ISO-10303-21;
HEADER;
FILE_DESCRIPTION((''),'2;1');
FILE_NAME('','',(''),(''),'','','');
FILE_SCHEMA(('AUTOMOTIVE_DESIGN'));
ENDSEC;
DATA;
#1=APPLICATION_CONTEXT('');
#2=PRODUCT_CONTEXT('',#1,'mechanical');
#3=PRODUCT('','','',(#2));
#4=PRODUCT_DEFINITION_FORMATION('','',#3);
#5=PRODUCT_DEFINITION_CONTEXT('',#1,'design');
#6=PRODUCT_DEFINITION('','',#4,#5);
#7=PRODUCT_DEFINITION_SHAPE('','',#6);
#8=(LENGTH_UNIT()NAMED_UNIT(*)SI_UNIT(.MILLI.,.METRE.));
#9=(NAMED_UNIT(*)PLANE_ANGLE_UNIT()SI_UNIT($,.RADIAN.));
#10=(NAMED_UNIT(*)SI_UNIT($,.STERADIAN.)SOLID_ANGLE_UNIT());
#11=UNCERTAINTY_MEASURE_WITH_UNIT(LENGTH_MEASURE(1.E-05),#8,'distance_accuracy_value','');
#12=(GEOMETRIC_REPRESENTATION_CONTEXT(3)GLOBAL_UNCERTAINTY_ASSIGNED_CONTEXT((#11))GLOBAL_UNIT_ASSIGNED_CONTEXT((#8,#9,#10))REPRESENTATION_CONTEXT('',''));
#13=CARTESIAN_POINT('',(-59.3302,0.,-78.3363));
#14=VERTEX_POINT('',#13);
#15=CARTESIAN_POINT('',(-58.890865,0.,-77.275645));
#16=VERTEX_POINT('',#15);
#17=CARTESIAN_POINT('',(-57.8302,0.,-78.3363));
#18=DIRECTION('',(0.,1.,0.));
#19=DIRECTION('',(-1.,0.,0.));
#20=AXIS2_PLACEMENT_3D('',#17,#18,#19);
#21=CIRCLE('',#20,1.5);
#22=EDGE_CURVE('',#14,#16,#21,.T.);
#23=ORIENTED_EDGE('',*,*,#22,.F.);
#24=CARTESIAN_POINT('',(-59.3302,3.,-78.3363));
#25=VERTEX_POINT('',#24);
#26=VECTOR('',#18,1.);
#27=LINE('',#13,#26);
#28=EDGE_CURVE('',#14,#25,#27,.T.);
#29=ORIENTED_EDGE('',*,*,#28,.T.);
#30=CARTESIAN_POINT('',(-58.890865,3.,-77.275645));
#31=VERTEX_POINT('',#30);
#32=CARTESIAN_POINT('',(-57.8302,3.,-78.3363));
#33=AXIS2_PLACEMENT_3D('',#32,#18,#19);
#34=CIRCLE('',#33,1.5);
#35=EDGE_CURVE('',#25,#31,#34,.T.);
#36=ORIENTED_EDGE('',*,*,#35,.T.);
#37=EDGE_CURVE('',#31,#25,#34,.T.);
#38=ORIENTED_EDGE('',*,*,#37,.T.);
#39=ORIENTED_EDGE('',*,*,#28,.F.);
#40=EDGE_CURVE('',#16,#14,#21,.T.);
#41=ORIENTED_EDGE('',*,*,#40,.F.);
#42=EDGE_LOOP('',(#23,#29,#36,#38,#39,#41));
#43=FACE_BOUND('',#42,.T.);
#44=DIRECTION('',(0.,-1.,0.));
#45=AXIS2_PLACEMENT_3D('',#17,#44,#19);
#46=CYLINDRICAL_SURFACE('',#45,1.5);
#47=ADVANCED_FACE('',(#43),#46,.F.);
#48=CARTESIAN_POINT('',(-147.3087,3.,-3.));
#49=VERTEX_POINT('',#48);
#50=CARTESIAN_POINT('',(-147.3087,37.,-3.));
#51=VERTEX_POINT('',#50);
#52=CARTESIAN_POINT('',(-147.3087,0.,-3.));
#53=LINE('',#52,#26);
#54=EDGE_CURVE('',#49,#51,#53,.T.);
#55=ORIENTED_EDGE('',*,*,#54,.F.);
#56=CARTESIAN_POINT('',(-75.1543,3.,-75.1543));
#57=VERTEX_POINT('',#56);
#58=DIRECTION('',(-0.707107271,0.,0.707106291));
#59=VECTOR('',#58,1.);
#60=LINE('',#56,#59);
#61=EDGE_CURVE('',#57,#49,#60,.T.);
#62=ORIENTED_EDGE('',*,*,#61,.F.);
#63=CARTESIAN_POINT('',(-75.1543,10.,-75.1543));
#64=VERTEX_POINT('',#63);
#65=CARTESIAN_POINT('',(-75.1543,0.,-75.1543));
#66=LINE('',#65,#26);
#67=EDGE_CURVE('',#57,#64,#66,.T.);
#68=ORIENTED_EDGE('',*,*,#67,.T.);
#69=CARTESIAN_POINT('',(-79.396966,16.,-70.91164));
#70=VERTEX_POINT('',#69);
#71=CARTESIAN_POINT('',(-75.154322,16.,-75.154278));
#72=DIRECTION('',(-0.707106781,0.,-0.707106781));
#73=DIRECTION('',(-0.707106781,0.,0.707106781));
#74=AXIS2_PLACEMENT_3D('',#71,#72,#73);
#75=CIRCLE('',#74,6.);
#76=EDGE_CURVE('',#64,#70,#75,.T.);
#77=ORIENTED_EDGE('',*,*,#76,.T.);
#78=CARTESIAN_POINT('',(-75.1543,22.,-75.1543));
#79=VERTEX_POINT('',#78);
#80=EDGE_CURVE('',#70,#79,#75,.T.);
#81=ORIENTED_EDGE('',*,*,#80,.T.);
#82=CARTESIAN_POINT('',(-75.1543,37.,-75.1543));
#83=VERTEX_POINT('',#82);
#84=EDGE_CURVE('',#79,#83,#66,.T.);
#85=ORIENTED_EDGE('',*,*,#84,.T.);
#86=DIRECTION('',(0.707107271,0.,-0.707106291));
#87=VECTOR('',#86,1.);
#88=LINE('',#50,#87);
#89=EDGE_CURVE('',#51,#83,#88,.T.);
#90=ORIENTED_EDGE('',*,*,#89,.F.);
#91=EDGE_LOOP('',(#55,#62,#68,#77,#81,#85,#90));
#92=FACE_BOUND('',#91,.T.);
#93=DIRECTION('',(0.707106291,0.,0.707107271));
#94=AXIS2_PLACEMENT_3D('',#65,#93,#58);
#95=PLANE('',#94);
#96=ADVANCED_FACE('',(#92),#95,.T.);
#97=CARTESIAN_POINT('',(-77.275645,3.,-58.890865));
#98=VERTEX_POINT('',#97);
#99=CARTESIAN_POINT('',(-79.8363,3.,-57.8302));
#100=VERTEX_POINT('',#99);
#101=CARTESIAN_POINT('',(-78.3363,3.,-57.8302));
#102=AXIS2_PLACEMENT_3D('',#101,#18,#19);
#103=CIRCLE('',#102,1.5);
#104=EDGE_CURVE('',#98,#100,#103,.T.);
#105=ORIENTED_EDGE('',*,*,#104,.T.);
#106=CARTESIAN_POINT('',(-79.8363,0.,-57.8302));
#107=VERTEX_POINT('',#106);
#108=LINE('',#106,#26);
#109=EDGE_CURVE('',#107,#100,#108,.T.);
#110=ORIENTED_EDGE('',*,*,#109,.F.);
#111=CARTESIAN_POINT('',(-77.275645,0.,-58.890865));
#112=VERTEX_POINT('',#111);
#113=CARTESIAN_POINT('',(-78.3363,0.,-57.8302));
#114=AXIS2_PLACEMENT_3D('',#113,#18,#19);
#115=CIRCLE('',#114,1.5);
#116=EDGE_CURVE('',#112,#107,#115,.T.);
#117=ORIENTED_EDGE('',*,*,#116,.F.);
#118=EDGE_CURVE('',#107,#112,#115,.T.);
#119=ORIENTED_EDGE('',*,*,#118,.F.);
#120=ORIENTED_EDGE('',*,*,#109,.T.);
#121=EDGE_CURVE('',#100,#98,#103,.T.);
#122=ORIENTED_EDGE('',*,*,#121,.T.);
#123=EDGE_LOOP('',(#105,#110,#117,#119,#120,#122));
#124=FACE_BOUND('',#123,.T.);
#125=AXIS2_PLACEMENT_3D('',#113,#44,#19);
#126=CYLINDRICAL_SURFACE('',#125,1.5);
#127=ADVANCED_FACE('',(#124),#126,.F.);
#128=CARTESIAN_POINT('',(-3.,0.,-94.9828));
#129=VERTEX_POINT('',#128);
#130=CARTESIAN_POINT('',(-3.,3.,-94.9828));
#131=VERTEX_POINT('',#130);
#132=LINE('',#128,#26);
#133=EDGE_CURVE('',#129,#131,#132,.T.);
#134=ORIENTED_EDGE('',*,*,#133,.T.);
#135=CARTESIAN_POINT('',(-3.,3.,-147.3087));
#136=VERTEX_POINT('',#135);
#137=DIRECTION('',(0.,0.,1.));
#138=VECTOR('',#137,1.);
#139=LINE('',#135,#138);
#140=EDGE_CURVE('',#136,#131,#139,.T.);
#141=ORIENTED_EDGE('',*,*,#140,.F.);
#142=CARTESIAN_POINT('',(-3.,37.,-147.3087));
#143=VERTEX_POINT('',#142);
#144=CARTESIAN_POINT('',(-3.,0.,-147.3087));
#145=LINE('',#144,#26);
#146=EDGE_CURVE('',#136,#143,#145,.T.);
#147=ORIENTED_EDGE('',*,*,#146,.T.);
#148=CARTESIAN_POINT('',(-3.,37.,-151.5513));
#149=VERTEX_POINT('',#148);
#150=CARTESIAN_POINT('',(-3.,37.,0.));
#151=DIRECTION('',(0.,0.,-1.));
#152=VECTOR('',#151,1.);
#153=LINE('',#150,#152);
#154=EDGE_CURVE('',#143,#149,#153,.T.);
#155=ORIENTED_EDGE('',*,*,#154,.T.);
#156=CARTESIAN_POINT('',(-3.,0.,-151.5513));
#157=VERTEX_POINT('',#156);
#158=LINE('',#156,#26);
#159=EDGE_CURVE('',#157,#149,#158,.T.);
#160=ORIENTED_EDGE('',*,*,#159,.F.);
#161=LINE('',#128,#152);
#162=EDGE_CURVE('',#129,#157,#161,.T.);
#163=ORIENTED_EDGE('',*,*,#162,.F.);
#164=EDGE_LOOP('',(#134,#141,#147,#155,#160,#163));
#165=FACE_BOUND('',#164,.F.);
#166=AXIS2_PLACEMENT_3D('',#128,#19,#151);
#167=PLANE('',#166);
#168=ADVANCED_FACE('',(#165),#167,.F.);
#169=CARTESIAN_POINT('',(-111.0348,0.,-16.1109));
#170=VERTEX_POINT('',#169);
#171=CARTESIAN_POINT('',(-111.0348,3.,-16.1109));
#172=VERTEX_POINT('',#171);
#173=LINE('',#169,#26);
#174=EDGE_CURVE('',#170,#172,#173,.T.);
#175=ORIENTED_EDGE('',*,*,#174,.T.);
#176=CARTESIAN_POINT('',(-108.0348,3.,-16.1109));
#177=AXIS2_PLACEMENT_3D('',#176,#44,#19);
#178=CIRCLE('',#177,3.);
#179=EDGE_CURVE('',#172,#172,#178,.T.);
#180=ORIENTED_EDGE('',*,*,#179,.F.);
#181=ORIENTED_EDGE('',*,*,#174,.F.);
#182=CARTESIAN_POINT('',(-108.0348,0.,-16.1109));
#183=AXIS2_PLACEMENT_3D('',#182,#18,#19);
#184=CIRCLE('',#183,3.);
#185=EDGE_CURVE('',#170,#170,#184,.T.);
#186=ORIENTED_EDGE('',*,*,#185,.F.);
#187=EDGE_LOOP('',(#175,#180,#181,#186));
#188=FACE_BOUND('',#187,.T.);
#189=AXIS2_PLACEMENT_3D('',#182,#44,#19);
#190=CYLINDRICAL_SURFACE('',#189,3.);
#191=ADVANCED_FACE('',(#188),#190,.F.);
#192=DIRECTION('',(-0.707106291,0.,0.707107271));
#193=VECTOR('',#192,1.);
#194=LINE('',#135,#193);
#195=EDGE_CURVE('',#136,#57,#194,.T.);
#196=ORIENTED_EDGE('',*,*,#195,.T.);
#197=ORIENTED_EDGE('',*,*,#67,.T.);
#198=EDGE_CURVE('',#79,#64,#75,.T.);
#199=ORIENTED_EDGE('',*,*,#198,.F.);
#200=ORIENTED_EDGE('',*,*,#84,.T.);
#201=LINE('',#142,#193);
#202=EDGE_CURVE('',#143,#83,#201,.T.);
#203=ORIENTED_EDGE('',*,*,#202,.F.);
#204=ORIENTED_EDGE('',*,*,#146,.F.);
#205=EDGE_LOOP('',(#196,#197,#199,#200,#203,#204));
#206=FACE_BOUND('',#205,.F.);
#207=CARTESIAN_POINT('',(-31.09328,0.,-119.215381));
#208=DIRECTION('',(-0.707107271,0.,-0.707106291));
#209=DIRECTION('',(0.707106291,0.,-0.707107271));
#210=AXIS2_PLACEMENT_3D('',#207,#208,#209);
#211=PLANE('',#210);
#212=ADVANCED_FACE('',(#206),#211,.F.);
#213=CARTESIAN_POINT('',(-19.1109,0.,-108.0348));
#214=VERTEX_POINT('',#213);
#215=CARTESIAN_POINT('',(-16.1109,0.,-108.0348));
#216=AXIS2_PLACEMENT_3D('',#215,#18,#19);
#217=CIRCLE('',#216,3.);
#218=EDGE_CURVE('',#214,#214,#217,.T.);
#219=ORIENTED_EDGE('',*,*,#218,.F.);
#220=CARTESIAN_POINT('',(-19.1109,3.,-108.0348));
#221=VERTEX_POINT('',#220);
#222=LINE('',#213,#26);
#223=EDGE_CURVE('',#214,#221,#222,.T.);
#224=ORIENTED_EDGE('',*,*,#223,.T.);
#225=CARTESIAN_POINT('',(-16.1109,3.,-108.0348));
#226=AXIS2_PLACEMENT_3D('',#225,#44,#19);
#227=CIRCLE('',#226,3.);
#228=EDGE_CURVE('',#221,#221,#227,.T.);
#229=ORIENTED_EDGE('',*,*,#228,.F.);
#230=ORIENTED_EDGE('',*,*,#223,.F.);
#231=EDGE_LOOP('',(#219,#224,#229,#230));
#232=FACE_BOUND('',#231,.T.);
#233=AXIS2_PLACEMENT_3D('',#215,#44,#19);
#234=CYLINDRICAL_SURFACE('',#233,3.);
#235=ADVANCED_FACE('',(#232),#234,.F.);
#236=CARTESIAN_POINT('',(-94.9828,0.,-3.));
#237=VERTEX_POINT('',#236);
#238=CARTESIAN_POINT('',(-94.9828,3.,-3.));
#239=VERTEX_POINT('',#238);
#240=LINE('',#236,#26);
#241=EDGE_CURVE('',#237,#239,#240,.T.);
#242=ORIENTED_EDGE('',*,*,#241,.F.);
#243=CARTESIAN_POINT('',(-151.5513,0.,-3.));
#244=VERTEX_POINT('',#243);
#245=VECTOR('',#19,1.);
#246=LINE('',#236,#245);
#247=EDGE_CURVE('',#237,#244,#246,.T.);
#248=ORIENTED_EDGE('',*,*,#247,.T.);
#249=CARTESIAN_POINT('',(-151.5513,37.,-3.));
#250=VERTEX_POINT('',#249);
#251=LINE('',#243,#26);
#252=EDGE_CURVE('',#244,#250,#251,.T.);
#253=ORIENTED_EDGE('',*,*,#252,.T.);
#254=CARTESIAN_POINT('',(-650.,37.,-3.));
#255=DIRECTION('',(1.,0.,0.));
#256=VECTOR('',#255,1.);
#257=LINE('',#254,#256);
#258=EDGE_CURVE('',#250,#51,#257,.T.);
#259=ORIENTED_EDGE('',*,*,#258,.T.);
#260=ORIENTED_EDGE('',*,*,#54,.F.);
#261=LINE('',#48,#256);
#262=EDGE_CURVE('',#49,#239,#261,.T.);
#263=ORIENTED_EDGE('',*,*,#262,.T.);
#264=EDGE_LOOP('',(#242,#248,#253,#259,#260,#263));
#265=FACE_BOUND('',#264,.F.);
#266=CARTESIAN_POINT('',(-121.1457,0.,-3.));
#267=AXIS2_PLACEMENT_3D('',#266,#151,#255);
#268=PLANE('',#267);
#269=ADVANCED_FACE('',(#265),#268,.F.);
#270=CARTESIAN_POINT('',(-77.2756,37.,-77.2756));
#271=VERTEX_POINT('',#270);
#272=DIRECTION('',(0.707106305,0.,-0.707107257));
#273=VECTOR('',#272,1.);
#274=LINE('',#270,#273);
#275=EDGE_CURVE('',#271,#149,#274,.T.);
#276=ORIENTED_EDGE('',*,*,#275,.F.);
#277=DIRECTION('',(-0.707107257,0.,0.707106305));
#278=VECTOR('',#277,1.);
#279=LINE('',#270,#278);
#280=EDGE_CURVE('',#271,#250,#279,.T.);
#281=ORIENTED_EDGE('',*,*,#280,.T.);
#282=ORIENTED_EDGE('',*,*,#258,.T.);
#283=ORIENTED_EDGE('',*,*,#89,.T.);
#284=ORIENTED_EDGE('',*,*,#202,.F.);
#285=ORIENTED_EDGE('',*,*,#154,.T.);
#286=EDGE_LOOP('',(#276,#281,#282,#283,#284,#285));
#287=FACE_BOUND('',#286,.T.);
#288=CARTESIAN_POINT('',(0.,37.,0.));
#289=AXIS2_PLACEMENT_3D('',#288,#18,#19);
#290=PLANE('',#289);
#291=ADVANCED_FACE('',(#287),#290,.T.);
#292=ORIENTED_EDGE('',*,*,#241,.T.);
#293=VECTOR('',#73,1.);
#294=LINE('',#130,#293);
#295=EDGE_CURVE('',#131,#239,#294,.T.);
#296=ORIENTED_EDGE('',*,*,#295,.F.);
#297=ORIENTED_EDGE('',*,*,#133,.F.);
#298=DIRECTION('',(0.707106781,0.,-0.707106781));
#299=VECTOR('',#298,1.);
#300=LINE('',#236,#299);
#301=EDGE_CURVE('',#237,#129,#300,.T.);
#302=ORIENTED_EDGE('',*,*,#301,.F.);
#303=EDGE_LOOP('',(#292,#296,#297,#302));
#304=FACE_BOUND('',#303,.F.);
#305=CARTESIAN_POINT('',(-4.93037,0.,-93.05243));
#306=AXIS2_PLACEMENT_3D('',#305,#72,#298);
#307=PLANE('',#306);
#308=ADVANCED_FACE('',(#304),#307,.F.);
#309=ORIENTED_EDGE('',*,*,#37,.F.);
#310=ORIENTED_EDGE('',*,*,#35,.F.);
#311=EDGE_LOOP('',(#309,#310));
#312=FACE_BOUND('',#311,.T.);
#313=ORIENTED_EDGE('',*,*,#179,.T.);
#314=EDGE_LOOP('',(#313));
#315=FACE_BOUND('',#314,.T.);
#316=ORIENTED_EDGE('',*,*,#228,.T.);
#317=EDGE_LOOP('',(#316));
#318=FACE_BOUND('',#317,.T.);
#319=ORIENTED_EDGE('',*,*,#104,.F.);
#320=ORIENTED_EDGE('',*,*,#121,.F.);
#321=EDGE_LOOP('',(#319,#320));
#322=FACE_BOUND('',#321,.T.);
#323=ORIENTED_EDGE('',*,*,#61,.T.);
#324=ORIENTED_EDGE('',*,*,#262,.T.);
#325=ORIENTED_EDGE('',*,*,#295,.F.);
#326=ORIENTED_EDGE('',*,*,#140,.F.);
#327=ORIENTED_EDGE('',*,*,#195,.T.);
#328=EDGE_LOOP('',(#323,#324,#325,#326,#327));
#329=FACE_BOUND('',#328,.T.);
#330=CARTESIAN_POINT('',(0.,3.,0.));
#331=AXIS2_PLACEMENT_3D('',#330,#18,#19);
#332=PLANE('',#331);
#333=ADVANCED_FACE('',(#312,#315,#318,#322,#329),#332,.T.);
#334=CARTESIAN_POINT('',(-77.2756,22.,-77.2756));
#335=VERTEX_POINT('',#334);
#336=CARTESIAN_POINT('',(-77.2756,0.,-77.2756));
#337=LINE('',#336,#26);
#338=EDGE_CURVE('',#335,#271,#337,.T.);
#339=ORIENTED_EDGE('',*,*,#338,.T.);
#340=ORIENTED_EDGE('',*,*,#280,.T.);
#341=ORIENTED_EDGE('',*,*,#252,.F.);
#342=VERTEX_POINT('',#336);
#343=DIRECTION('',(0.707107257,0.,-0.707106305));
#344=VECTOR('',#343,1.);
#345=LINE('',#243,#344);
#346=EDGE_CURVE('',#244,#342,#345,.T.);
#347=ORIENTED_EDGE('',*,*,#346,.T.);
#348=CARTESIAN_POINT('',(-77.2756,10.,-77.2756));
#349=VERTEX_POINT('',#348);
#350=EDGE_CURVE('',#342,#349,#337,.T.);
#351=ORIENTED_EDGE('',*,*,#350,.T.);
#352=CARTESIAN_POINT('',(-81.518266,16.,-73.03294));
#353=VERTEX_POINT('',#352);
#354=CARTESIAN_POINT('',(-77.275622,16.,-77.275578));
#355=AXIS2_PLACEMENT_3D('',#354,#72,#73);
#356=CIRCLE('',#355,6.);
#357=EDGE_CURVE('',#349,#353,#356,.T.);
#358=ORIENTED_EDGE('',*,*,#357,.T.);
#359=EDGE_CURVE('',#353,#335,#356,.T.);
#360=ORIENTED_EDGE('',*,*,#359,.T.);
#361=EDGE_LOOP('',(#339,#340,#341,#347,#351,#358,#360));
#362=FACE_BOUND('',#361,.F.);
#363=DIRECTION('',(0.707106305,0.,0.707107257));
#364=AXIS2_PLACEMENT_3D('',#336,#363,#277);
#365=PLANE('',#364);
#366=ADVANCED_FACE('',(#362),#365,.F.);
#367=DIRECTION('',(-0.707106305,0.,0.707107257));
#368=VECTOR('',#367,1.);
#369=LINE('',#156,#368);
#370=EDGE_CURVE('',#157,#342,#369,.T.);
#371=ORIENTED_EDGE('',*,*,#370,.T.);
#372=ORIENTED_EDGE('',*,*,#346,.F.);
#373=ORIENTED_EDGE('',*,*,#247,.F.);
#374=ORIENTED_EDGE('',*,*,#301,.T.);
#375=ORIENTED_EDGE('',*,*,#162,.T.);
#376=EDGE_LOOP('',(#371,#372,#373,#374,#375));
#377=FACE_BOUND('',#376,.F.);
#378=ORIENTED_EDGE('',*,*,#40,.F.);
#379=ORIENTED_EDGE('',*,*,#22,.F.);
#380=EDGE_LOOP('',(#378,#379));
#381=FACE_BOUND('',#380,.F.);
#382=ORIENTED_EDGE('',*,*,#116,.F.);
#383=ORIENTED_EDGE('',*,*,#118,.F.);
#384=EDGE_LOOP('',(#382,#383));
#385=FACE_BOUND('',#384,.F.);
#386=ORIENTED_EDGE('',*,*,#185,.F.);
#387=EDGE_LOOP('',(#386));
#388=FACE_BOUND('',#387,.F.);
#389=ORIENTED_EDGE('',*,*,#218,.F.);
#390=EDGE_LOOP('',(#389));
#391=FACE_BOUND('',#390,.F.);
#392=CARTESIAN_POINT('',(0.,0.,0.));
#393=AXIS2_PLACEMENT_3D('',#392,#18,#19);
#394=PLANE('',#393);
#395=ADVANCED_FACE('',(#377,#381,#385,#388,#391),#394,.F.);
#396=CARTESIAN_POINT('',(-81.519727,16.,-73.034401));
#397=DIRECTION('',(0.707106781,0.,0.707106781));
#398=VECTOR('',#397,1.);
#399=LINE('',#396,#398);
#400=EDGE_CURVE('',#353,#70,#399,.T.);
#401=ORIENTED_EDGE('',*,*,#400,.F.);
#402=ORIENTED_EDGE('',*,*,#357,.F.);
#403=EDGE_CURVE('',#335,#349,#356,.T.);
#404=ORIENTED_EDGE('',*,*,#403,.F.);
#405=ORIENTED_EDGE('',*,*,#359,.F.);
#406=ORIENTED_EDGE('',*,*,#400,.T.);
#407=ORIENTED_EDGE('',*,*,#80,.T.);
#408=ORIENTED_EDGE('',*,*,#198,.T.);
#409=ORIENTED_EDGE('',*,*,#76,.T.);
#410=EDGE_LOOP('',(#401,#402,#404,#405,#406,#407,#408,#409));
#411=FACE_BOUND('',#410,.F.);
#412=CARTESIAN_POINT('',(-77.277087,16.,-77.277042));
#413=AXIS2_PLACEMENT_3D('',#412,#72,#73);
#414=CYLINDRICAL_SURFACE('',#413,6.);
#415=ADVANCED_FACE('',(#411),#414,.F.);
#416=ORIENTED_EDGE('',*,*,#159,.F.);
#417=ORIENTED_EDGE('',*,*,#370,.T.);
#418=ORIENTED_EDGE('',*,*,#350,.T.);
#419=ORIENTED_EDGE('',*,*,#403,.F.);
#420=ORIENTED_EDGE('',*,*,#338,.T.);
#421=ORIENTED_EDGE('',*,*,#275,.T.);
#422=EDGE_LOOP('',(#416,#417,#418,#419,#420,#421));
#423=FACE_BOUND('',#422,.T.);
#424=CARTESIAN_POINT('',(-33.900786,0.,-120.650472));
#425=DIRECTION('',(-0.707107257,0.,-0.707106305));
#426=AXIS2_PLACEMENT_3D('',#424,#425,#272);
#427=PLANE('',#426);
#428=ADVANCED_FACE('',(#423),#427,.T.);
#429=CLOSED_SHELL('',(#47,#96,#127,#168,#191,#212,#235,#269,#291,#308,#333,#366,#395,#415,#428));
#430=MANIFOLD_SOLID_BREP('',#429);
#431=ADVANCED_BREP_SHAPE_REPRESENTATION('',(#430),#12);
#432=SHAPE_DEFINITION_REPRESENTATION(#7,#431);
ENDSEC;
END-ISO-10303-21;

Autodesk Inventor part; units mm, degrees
ref_plane "YZ Plane" through (0, 0, 0) normal (1, 0, 0) x (0, 1, 0)
ref_plane "XZ Plane" through (0, 0, 0) normal (0, 1, 0) x (-1, 0, 0)
ref_plane "XY Plane" through (0, 0, 0) normal (0, 0, 1) x (1, 0, 0)
sketch "Sketch1" plane through (0, 0, 0) normal (0, 1, 0) x (-1, 0, 0)
  line L0 (0, 0) -> (0, -650)
  line L1 (0, -650) -> (650, -650)
  line L2 (650, -650) -> (650, 0)
  line L3 (650, 0) -> (0, 0)
  line L4 (0, 0) -> (3, 0)
  line L5 (3, 0) -> (3, -650)
  line L6 (3, -650) -> (0, -650)
  line L7 (0, -650) -> (0, -647)
  line L8 (0, -647) -> (650, -647)
  line L9 (650, -647) -> (650, -650)
  line L10 (650, -650) -> (647, -650)
  line L11 (647, -650) -> (647, 0)
  line L12 (647, 0) -> (650, 0)
  line L13 (650, 0) -> (650, -3)
  line L14 (650, -3) -> (0, -3)
  line L15 (0, -3) -> (0, 0)
  line L16 (0, 0) -> (0, -37)
  line L17 (0, -37) -> (650, -37)
  line L18 (650, -37) -> (650, 0)
  line L19 (650, 0) -> (613, 0)
  line L20 (613, 0) -> (613, -650)
  line L21 (613, -650) -> (650, -650)
  line L22 (650, -650) -> (650, -613)
  line L23 (650, -613) -> (0, -613)
  line L24 (0, -613) -> (0, -650)
  line L25 (0, -650) -> (37, -650)
  line L26 (37, -650) -> (37, 0)
  line L27 (37, 0) -> (0, 0)
  line L28 (0, 0) -> (650, -650)
  line L29 (650, 0) -> (0, -650)
  line L30 (37, -3) -> (3, -37)
  line L31 (20, -20) -> (75.1543, -75.1543)
  line L32 (75.1543, -75.1543) -> (3, -147.3087)
  line L33 (75.1543, -75.1543) -> (147.3087, -3)
  line L34 (75.1543, -75.1543) -> (48.9914, -48.9914)
  line L35 (48.9914, -48.9914) -> (3, -94.9828)
  line L36 (48.9914, -48.9914) -> (94.9828, -3)
  line L37 (75.1543, -75.1543) -> (77.2756, -77.2756)
  line L38 (77.2756, -77.2756) -> (3, -151.5513)
  line L39 (77.2756, -77.2756) -> (151.5513, -3)
  line L40 (75.1543, -75.1543) -> (68.0833, -68.0833)
  line L41 (68.0833, -68.0833) -> (57.8302, -78.3363)
  line L42 (68.0833, -68.0833) -> (78.3363, -57.8302)
  circle A0 centre (78.3363, -57.8302) radius 1.5
  circle A1 centre (57.8302, -78.3363) radius 1.5
  line L43 (3, -147.3087) -> (3, -94.9828)
  line L44 (147.3087, -3) -> (94.9828, -3)
  line L45 (121.1457, -3) -> (3, -121.1457)
  circle A2 centre (62.0729, -62.0729) radius 65
  circle A3 centre (108.0348, -16.1109) radius 3
  circle A4 centre (16.1109, -108.0348) radius 3
  dimension "d0" = 650
  dimension "d1" = 650
  dimension "d2" = 650
  dimension "d3" = 3
  dimension "d4" = 650
  dimension "d5" = 3
  dimension "d6" = 3
  dimension "d7" = 650
  dimension "d8" = 3
  dimension "d9" = 650
  dimension "d10" = 37
  dimension "d11" = 650
  dimension "d12" = 37
  dimension "d13" = 650
  dimension "d14" = 37
  dimension "d15" = 650
  dimension "d16" = 37
  dimension "d17" = 650
  dimension "d18" = 78
  dimension "d19" = 37
  dimension "d20" = 3
  dimension "d21" = 10
  dimension "d22" = 14.5
  dimension "d23" = 14.5
  dimension "d24" = 3
  dimension "d25" = 3
  dimension "d26" = 130
  dimension "d27" = 6
  dimension "d28" = 6
extrude "Extrusion1" add sketch "Sketch1" along normal blind 3 contours L35 A2 A4 L45 L5 | L35 L26 L45 A4 A2 | L36 A2 A3 L45 L17 | L17 L45 L28 L36 | L35 L28 L45 L26 | L14 L45 A3 A2 L36 | L45 A4 A2 L32 L5 | L45 A3 A2 L33 L17 | L17 L33 L28 L45 | L45 L28 L32 L26 | L26 L32 A2 A4 L45 | L14 L33 A2 A3 L45
extrude "Extrusion2" add sketch "Sketch1" along normal blind 37 contours L5 L32 A2 L38 | L39 A2 L33 L14 | L33 A2 L39 L17 | L17 L39 L28 L33 | L32 L28 L38 L26 | L26 L38 A2 L32
sketch "Sketch2" plane through (-151.5513, 0, -3) normal (-0.7071, 0, -0.7071) x (-0.7071, 0, 0.7071)
  line L0 (-105.0416, 0) -> (-105.0416, 3)
  line L1 (-105.0416, 3) -> (-105.0416, 23)
  line L2 (-3, 37) -> (-207.0833, 37) projected
  line L3 (-105.0416, 23) -> (-105.0416, 16)
  circle A0 centre (-105.0416, 16) radius 6
  dimension "d33" = 3
  dimension "d39" = 20
  dimension "d40" = 7
  dimension "d41" = 12
extrude "Extrusion4" cut sketch "Sketch2" against normal blind 10
properties part number "body_inner_L_clamp"
